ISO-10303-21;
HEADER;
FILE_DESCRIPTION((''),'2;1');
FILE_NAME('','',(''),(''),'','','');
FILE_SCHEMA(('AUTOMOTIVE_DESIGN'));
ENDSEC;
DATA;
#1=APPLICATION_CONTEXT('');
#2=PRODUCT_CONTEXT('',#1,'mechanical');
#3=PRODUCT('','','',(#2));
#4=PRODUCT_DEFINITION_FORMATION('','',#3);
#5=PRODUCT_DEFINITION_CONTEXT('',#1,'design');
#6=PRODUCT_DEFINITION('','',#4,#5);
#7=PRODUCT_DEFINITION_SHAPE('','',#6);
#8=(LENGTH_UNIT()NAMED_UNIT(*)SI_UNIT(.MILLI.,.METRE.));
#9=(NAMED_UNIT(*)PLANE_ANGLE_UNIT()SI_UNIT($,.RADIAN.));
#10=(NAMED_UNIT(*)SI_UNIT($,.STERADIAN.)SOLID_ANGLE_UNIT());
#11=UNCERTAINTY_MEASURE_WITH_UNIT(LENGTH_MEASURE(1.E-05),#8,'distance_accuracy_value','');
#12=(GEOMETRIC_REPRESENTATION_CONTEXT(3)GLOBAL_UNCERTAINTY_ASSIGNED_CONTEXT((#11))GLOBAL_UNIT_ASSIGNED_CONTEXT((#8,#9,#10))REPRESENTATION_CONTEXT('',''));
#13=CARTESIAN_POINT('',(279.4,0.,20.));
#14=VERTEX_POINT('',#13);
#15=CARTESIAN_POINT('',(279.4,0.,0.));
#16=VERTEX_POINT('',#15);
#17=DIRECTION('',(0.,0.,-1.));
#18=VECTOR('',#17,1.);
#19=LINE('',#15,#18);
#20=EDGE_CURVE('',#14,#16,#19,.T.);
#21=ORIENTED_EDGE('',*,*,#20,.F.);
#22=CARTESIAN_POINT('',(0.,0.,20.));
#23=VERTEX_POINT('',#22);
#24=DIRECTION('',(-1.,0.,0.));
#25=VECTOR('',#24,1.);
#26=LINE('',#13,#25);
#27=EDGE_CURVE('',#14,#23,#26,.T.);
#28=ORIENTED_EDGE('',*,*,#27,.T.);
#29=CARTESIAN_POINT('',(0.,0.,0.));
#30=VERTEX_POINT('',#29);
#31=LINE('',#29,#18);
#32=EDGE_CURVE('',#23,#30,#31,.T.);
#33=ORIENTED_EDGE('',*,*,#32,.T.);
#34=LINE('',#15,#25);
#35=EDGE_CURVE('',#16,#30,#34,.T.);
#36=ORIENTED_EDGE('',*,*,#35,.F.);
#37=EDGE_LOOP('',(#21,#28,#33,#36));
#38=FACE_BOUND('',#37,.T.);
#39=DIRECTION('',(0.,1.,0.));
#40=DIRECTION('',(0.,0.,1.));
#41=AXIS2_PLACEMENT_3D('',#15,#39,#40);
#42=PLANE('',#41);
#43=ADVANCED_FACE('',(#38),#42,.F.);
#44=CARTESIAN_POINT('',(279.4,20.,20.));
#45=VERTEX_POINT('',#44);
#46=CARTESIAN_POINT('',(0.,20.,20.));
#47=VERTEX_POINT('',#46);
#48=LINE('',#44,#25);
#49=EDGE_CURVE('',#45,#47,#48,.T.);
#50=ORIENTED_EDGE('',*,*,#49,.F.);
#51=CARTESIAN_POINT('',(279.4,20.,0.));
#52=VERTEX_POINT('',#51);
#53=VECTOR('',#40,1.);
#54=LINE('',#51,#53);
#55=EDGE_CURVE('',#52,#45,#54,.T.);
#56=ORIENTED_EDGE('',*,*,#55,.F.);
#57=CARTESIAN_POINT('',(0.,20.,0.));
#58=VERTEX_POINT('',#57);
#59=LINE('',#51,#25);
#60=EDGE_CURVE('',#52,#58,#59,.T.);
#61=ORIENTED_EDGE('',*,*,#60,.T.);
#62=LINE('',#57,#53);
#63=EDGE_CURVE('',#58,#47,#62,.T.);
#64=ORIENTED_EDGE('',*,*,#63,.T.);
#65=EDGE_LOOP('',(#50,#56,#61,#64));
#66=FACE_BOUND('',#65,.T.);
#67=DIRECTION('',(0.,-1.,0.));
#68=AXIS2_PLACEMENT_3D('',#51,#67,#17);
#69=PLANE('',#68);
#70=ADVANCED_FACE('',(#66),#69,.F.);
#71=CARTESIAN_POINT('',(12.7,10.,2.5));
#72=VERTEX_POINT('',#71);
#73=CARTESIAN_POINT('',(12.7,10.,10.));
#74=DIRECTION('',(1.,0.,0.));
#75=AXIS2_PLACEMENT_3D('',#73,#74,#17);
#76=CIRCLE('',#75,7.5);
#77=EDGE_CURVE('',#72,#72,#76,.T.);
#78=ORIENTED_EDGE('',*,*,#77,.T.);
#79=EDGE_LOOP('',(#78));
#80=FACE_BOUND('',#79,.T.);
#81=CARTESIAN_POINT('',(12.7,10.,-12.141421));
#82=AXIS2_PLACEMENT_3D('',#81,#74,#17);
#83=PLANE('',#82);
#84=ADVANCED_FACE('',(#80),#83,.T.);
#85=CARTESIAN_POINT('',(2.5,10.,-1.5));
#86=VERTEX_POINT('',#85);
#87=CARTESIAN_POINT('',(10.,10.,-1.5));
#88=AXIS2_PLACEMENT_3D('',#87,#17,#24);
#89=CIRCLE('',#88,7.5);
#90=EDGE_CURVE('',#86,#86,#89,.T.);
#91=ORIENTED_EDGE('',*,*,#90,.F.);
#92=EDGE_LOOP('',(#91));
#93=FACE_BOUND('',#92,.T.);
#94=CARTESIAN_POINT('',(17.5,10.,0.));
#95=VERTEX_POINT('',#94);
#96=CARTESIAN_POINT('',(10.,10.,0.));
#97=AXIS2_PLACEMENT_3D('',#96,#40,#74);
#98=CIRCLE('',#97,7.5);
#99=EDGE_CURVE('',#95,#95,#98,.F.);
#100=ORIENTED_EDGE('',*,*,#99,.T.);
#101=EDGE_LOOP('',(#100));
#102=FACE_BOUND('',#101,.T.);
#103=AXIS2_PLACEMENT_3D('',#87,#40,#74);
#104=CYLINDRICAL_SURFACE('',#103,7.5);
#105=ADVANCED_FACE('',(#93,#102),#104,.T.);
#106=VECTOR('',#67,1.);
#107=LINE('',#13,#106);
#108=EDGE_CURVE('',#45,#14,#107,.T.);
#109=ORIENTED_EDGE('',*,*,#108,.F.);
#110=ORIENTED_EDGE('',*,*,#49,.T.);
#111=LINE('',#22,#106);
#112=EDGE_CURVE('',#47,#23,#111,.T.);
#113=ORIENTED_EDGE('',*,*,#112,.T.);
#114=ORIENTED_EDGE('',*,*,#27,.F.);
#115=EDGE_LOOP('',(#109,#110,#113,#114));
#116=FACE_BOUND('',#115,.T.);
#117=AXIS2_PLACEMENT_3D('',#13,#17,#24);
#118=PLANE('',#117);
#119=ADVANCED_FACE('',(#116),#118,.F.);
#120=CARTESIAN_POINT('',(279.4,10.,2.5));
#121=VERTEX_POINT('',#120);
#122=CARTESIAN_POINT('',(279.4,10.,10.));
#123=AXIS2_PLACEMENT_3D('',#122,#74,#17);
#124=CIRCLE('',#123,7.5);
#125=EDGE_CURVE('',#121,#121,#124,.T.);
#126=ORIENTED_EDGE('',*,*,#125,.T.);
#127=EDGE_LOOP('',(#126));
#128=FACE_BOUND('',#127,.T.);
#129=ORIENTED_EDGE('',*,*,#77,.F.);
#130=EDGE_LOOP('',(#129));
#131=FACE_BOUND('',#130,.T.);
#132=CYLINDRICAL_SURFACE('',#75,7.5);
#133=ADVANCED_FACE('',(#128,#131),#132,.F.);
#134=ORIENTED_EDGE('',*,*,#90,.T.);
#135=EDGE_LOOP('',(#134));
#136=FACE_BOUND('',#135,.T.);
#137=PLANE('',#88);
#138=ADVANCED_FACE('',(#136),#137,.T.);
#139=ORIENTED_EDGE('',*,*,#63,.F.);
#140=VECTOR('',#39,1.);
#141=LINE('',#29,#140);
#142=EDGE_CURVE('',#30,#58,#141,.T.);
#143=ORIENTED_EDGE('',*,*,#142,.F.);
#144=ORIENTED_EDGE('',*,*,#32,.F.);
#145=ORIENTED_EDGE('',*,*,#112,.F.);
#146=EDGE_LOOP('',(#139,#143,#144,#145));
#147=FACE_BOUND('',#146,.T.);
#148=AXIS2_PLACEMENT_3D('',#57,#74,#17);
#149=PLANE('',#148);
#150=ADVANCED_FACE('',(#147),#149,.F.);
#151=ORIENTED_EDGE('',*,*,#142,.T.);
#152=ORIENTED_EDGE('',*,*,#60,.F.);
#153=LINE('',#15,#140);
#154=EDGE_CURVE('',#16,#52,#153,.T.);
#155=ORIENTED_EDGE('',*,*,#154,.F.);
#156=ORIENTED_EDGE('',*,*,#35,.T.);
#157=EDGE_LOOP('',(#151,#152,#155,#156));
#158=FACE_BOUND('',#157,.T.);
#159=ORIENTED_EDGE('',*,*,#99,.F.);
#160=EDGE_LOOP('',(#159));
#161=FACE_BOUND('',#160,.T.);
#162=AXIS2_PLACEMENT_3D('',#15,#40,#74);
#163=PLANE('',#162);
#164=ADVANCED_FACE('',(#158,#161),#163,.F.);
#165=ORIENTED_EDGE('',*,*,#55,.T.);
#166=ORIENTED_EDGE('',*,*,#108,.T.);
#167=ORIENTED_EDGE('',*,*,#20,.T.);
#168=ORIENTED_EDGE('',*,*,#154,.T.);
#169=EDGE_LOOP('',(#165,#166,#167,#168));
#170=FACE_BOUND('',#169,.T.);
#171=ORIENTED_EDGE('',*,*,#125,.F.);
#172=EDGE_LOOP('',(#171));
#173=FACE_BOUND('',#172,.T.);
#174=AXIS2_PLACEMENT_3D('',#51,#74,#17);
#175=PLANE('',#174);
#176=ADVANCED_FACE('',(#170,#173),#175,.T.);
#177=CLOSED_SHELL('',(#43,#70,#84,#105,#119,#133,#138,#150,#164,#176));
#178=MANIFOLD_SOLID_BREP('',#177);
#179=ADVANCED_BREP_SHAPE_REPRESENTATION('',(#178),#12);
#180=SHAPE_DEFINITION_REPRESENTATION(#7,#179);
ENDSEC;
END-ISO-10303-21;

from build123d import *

# Parameters (mm, degrees)
SKETCH1_W           = 20
SKETCH1_H           = 20
BOSS_EXTRUDE1_DEPTH = 279.4
SKETCH3_R           = 7.5
BOSS_EXTRUDE2_DEPTH = 1.5
SKETCH2_R           = 7.5
CUT_EXTRUDE1_DEPTH  = 266.7


with BuildPart() as part:
    # Sketch1 → Boss-Extrude1 (new body)
    with BuildSketch(Plane(origin=(0, 0, 0), x_dir=(0, 0, -1), z_dir=(1, 0, 0))):
        with Locations((-10, 10)):
            Rectangle(SKETCH1_W, SKETCH1_H)
    extrude(amount=BOSS_EXTRUDE1_DEPTH)

    # Sketch3 → Boss-Extrude2 (add)
    with BuildSketch(Plane(origin=(0, 0, 0), x_dir=(-1, 0, 0), z_dir=(0, 0, -1))):
        with Locations((-10, 10)):
            Circle(SKETCH3_R)
    extrude(amount=BOSS_EXTRUDE2_DEPTH)

    # Sketch2 → Cut-Extrude1 (cut)
    with BuildSketch(Plane(origin=(279.4, 0, 0), x_dir=(0, 0, -1), z_dir=(1, 0, 0))):
        with Locations((-10, 10)):
            Circle(SKETCH2_R)
    extrude(amount=-CUT_EXTRUDE1_DEPTH, mode=Mode.SUBTRACT)


solid = part.part
